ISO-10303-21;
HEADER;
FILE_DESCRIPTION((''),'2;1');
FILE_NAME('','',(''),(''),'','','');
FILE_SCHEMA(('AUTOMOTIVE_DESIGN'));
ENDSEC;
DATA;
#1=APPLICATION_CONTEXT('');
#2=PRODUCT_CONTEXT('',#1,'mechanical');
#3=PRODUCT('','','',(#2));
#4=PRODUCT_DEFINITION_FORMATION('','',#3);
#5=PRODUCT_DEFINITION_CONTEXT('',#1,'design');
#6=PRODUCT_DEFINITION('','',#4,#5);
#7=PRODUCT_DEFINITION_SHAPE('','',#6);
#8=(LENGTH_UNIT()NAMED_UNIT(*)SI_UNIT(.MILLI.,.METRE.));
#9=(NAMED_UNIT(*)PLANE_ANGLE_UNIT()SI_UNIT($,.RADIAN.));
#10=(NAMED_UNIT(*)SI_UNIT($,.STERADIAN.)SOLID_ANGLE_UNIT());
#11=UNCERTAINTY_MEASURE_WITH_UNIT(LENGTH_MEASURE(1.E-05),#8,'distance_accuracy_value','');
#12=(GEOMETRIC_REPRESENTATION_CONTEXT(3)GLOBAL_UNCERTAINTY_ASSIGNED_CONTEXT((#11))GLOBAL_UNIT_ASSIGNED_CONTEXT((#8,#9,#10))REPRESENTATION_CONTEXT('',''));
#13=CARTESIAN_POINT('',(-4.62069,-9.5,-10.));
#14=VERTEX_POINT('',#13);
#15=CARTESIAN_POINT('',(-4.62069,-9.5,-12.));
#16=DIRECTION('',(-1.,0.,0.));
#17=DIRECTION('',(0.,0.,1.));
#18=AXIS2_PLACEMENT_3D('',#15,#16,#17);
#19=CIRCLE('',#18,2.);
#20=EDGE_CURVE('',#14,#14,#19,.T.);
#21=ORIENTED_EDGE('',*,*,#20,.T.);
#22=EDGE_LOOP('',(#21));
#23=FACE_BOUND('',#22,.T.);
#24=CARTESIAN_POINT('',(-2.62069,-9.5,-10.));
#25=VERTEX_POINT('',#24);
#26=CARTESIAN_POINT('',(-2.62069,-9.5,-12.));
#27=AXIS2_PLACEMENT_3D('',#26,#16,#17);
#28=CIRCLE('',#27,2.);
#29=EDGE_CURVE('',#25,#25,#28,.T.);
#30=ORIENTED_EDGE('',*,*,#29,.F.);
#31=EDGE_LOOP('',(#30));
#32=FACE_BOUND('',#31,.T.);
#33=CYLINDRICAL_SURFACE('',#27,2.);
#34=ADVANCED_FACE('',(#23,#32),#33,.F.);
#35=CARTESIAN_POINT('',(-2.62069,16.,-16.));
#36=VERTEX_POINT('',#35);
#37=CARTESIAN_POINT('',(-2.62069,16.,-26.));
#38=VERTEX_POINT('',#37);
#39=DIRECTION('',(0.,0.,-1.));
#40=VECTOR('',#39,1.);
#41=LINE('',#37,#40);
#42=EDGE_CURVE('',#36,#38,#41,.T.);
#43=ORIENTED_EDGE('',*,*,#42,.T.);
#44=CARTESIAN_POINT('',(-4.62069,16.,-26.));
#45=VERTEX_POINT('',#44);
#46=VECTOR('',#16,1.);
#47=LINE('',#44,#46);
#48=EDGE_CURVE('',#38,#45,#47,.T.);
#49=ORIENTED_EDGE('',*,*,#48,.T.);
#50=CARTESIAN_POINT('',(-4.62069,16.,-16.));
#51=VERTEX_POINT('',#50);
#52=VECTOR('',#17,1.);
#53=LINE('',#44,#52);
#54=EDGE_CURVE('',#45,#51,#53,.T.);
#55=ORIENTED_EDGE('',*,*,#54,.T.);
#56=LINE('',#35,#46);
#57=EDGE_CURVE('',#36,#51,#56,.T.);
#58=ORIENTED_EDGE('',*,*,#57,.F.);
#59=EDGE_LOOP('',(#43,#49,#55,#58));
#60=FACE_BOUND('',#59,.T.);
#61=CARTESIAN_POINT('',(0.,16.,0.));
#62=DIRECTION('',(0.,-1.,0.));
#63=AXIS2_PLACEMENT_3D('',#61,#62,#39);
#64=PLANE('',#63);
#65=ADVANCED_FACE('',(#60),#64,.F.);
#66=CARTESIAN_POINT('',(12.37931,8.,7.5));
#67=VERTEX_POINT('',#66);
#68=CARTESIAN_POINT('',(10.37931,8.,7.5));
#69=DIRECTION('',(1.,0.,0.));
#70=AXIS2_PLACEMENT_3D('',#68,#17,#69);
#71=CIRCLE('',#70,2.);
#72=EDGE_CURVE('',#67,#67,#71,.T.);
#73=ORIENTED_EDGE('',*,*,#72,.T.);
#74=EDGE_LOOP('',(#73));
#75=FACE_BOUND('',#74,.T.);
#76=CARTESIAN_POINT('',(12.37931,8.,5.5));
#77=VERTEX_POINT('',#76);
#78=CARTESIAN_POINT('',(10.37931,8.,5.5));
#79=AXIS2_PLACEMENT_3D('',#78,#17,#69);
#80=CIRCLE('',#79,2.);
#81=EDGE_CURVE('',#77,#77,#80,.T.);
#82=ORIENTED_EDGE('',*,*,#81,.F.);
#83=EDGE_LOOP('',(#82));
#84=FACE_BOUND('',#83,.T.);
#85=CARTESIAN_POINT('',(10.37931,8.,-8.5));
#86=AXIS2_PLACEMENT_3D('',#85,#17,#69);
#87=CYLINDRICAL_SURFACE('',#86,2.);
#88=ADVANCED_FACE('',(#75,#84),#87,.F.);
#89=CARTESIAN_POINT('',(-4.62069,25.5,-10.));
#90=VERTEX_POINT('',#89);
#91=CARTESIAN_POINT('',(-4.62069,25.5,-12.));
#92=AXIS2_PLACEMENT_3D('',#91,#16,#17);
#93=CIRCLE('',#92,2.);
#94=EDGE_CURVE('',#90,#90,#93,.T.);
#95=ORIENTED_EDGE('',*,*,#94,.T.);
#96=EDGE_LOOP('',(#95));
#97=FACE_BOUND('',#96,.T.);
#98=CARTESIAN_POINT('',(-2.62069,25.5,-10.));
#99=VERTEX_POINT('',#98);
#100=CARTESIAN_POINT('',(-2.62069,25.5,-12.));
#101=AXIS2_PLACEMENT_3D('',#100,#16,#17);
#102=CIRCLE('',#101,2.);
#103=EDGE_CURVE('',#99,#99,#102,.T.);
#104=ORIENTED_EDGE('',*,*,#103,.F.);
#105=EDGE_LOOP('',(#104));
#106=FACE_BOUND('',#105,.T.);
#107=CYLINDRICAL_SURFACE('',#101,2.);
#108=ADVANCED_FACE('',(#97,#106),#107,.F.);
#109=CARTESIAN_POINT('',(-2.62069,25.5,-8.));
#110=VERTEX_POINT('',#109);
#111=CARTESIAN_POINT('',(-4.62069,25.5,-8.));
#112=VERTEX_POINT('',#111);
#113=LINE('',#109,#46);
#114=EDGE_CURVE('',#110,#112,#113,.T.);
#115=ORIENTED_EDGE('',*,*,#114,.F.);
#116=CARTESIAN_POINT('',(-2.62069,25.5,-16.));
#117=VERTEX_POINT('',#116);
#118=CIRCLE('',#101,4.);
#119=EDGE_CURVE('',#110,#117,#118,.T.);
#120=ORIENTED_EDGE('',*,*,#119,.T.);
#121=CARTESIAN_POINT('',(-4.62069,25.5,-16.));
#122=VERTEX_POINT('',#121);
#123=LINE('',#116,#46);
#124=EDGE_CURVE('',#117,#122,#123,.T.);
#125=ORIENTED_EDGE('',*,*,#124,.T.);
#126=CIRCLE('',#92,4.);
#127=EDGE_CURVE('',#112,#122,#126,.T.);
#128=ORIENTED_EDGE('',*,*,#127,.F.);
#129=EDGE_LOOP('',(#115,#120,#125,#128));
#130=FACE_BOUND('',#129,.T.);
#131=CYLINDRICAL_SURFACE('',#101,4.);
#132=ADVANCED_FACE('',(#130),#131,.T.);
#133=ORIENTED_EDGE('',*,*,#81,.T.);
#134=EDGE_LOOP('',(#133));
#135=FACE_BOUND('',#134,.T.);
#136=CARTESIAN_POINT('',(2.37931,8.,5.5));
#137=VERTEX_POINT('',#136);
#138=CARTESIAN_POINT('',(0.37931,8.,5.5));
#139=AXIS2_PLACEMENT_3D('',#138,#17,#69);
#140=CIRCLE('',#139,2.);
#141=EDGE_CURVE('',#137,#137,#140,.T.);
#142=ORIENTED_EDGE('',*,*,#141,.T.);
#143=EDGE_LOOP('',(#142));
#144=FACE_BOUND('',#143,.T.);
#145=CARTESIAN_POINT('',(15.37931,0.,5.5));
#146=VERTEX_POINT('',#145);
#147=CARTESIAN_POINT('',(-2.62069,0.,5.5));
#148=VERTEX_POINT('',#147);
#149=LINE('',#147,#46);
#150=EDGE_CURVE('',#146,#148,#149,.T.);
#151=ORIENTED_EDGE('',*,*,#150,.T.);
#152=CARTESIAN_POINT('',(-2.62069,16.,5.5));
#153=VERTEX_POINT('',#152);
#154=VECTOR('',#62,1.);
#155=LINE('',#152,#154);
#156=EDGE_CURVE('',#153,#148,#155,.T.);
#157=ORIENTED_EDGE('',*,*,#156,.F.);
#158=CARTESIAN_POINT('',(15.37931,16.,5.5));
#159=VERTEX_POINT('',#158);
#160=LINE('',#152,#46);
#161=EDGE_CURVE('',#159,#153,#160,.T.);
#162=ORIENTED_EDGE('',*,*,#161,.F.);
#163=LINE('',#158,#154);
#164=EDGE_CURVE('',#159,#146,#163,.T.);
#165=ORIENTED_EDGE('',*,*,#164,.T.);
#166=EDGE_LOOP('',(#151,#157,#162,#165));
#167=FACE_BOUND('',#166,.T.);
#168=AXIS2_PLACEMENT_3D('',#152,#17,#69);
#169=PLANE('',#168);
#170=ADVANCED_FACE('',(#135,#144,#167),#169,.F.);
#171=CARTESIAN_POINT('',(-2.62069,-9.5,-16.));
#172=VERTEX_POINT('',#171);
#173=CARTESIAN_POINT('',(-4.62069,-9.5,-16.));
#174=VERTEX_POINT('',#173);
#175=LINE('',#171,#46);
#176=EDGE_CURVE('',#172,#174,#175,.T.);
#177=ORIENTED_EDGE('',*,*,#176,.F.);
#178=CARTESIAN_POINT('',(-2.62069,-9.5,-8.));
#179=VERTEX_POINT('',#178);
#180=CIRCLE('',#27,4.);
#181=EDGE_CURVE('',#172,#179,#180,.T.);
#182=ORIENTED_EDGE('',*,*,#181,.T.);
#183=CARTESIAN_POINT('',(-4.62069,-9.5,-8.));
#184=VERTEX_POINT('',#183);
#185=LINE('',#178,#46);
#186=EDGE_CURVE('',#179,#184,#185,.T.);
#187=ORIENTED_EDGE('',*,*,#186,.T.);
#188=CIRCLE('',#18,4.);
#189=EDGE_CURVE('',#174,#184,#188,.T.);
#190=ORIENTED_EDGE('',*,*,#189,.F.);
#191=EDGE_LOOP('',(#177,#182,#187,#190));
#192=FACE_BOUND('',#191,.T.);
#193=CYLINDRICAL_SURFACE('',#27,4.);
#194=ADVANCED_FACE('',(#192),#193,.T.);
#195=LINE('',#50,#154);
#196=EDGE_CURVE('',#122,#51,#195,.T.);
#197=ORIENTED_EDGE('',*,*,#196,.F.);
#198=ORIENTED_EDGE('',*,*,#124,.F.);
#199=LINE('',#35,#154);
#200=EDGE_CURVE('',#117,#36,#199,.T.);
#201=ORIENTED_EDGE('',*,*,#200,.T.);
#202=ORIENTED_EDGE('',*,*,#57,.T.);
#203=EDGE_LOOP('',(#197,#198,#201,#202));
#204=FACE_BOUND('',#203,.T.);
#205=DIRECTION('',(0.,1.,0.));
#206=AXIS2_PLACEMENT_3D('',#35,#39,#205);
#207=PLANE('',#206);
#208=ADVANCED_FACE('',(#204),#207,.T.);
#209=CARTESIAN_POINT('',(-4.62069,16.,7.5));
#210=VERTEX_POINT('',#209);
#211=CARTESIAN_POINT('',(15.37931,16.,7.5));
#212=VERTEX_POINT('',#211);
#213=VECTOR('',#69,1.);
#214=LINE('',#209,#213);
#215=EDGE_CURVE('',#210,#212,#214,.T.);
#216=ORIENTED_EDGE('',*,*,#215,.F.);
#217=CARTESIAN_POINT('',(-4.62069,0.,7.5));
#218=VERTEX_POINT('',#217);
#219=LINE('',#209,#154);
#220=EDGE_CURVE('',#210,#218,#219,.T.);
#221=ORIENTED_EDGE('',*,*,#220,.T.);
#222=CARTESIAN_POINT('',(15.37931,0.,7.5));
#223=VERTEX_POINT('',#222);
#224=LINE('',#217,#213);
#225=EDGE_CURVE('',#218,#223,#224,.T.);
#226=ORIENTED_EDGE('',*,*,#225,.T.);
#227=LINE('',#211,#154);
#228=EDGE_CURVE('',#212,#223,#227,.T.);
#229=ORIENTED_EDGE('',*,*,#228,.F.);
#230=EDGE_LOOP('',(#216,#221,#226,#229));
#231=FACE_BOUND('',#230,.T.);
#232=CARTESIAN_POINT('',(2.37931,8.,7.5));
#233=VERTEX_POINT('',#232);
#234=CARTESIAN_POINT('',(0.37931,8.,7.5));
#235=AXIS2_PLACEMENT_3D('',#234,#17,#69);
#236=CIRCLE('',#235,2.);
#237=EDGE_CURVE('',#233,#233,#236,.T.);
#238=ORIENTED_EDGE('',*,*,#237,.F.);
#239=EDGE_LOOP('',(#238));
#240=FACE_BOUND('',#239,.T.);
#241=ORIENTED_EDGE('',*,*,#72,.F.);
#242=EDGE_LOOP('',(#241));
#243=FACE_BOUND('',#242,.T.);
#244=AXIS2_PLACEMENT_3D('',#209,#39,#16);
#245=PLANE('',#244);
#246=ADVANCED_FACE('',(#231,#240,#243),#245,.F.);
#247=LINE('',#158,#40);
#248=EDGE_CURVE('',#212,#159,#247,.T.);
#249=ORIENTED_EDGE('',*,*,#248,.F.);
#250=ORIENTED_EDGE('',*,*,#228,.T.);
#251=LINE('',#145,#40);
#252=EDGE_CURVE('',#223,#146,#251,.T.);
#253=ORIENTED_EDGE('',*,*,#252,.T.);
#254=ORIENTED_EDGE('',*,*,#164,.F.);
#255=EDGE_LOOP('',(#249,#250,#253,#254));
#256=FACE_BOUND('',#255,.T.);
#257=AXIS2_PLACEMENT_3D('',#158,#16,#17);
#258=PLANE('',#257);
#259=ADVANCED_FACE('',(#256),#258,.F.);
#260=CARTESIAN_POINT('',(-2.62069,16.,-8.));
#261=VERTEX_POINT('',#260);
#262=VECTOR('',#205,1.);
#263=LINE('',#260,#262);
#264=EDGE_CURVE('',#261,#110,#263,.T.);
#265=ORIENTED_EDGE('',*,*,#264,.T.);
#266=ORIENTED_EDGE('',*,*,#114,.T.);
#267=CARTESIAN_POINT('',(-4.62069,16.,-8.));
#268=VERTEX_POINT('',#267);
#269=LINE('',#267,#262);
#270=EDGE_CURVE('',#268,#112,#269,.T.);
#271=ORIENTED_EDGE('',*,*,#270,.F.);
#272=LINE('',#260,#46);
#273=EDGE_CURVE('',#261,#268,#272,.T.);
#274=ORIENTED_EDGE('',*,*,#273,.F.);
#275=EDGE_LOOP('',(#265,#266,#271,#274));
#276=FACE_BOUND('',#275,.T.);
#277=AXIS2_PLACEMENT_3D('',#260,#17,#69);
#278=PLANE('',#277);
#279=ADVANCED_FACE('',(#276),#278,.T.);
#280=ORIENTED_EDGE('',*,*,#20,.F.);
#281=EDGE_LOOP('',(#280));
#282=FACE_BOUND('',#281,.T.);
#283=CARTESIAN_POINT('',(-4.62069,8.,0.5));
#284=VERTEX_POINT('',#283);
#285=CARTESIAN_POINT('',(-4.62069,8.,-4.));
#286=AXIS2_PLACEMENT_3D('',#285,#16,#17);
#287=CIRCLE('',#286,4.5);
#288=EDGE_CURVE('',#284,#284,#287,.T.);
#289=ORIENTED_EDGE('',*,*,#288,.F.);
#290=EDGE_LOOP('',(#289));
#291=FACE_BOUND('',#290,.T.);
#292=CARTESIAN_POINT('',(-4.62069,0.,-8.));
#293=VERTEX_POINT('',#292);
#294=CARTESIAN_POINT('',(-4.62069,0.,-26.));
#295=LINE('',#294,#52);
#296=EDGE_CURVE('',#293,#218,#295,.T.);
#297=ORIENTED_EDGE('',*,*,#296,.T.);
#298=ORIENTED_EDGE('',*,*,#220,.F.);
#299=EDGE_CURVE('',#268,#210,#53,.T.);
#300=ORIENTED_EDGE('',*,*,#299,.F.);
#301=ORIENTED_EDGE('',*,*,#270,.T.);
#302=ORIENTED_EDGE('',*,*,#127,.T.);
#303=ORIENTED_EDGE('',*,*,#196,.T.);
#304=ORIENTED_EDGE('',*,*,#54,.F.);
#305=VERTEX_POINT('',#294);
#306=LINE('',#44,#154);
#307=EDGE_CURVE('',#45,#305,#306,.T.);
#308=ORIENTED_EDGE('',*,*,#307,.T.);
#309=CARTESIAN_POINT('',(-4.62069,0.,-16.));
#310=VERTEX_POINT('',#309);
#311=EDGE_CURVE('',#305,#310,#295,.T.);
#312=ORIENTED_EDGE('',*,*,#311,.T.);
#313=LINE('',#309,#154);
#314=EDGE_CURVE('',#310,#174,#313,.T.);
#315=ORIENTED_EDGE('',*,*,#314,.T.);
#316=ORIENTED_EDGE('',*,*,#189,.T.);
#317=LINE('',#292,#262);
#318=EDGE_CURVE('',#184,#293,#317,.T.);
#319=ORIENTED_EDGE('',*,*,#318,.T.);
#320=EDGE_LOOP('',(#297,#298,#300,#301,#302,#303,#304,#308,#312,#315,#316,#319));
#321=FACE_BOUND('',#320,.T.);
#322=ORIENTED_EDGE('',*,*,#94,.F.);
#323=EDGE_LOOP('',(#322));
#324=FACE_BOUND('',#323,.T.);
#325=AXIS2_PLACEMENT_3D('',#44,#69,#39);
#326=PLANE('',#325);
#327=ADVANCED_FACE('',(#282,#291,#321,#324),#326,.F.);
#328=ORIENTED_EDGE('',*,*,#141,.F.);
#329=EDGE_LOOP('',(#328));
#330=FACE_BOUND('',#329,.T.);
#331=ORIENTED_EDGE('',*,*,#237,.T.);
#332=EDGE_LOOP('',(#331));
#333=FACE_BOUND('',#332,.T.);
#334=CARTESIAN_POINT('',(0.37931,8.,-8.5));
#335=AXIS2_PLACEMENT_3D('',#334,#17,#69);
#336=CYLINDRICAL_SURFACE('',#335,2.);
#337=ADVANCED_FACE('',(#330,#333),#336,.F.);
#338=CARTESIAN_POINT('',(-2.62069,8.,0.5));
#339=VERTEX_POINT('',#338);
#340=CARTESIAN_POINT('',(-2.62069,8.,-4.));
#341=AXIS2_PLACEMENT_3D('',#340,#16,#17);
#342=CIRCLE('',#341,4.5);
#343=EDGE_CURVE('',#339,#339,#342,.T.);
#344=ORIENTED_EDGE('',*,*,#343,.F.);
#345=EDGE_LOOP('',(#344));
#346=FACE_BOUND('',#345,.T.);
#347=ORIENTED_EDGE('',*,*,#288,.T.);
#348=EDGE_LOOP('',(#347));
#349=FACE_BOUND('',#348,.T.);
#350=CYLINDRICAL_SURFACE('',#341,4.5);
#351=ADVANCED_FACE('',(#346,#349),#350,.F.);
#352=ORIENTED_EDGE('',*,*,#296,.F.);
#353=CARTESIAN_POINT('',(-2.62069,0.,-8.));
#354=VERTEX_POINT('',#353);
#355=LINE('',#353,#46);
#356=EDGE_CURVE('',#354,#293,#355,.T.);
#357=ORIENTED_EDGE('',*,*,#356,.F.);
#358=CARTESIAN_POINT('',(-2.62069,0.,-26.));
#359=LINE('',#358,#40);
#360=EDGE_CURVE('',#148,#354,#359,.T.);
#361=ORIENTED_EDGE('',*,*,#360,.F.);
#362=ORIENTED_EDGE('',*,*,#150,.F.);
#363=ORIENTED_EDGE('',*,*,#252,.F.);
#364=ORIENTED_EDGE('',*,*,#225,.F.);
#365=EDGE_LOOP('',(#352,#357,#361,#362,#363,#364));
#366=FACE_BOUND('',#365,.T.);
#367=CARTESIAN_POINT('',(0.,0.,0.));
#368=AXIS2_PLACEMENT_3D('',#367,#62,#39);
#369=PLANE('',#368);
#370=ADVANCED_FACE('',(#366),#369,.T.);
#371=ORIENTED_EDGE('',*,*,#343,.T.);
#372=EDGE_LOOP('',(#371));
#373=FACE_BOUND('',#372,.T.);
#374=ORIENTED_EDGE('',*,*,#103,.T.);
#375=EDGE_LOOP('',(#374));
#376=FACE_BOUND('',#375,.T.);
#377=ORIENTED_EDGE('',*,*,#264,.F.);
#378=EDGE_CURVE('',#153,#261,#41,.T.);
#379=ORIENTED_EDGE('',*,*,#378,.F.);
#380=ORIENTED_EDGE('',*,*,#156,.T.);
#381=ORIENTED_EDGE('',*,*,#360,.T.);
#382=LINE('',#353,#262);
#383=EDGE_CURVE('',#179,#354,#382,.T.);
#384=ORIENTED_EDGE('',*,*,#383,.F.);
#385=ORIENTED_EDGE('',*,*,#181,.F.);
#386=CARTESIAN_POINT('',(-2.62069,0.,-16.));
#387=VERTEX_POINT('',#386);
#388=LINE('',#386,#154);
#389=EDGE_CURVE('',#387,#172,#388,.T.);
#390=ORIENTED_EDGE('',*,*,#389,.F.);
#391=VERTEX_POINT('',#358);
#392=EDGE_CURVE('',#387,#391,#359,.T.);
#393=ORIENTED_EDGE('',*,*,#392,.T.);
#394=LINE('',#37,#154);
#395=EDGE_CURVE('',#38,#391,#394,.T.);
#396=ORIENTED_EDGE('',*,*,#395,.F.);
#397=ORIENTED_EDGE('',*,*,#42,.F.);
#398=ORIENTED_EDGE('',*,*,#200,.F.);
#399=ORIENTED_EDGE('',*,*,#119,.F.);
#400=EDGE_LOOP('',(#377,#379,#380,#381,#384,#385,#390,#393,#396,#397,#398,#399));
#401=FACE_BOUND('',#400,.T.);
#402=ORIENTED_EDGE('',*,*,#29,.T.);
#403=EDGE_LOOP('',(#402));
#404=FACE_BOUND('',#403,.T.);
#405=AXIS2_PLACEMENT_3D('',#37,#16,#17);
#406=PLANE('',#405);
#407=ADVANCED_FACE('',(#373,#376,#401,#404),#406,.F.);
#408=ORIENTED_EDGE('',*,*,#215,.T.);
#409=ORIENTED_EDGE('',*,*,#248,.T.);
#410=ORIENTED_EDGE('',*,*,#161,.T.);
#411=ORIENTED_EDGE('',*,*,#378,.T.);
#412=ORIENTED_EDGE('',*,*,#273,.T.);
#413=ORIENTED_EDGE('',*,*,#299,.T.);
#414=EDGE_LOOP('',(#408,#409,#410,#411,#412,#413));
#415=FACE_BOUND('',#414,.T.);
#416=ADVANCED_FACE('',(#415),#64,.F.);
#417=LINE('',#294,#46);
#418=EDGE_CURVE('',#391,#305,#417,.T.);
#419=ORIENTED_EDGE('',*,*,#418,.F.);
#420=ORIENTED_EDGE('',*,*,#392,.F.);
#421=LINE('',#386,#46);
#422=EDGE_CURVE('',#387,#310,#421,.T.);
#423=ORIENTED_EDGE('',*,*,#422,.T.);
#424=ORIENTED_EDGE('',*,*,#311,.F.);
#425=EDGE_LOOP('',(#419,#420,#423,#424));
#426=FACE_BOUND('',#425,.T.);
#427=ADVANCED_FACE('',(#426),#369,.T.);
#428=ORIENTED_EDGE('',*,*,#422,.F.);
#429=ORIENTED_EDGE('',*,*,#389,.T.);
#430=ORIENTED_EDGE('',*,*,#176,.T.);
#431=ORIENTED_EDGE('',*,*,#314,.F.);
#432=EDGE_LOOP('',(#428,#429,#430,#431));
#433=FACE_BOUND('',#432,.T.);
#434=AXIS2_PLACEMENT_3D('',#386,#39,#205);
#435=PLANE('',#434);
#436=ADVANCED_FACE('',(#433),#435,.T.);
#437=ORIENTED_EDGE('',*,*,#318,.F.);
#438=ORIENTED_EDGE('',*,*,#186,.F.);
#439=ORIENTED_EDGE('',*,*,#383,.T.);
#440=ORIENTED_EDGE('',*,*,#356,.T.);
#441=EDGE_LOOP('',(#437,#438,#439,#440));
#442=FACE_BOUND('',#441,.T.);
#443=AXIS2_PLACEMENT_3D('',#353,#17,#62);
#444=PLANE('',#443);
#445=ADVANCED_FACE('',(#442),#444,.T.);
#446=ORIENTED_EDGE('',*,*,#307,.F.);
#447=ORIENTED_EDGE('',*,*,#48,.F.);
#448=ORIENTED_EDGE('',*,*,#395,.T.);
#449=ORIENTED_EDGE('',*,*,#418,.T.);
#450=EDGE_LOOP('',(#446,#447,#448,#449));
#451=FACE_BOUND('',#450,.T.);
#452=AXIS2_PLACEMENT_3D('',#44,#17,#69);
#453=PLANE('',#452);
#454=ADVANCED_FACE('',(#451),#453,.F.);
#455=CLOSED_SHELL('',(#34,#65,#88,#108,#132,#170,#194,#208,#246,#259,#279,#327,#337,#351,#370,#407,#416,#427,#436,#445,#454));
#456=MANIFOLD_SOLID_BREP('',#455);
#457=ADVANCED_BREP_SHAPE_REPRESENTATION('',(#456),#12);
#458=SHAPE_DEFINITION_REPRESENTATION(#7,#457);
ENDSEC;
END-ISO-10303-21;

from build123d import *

# Parameters (mm, degrees)
BOSS_EXTRUDE1_DEPTH = 16
SKETCH2_R           = 2
CUT_EXTRUDE1_DEPTH  = 16
SKETCH3_R           = 2
BOSS_EXTRUDE2_DEPTH = 2
SKETCH4_R           = 4.5
CUT_EXTRUDE2_DEPTH  = 2


with BuildPart() as part:
    # Sketch1 → Boss-Extrude1 (new body)
    with BuildSketch(Plane(origin=(0, 0, 0), x_dir=(1, 0, 0), z_dir=(0, 1, 0))):
        Polygon((-4.620689655, 26), (-4.620689655, -7.5), (15.379310345, -7.5), (15.379310345, -5.5), (-2.620689655, -5.5), (-2.620689655, 26), align=None)
    extrude(amount=BOSS_EXTRUDE1_DEPTH)

    # Sketch2 → Cut-Extrude1 (cut)
    with BuildSketch(Plane.XY.offset(7.5)):
        with Locations((0.379310345, 8)):
            Circle(SKETCH2_R)
        with Locations((10.379310345, 8)):
            Circle(SKETCH2_R)
    extrude(amount=-CUT_EXTRUDE1_DEPTH, mode=Mode.SUBTRACT)

    # Sketch3 → Boss-Extrude2 (add)
    # profile 1 of 2: a face of its own
    with BuildSketch(Plane.ZY.offset(4.620689655)):
        with BuildLine():
            Line((-16, 16), (-8, 16))
            Line((-8, 16), (-8, 25.5))
            ThreePointArc((-8, 25.5), (-12, 29.5), (-16, 25.5))
            Line((-16, 25.5), (-16, 16))
        make_face()
        with Locations((-12, 25.5)):
            Circle(SKETCH3_R, mode=Mode.SUBTRACT)
    # profile 2 of 2: a face of its own
    with BuildSketch(Plane.ZY.offset(4.620689655)):
        with BuildLine():
            Line((-16, 0), (-8, 0))
            Line((-8, 0), (-8, -9.5))
            ThreePointArc((-8, -9.5), (-12, -13.5), (-16, -9.5))
            Line((-16, -9.5), (-16, 0))
        make_face()
        with Locations((-12, -9.5)):
            Circle(SKETCH3_R, mode=Mode.SUBTRACT)
    extrude(amount=-BOSS_EXTRUDE2_DEPTH)

    # Sketch4 → Cut-Extrude2 (cut)
    with BuildSketch(Plane.ZY.offset(4.620689655)):
        with Locations((-4, 8)):
            Circle(SKETCH4_R)
    extrude(amount=-CUT_EXTRUDE2_DEPTH, mode=Mode.SUBTRACT)


solid = part.part
